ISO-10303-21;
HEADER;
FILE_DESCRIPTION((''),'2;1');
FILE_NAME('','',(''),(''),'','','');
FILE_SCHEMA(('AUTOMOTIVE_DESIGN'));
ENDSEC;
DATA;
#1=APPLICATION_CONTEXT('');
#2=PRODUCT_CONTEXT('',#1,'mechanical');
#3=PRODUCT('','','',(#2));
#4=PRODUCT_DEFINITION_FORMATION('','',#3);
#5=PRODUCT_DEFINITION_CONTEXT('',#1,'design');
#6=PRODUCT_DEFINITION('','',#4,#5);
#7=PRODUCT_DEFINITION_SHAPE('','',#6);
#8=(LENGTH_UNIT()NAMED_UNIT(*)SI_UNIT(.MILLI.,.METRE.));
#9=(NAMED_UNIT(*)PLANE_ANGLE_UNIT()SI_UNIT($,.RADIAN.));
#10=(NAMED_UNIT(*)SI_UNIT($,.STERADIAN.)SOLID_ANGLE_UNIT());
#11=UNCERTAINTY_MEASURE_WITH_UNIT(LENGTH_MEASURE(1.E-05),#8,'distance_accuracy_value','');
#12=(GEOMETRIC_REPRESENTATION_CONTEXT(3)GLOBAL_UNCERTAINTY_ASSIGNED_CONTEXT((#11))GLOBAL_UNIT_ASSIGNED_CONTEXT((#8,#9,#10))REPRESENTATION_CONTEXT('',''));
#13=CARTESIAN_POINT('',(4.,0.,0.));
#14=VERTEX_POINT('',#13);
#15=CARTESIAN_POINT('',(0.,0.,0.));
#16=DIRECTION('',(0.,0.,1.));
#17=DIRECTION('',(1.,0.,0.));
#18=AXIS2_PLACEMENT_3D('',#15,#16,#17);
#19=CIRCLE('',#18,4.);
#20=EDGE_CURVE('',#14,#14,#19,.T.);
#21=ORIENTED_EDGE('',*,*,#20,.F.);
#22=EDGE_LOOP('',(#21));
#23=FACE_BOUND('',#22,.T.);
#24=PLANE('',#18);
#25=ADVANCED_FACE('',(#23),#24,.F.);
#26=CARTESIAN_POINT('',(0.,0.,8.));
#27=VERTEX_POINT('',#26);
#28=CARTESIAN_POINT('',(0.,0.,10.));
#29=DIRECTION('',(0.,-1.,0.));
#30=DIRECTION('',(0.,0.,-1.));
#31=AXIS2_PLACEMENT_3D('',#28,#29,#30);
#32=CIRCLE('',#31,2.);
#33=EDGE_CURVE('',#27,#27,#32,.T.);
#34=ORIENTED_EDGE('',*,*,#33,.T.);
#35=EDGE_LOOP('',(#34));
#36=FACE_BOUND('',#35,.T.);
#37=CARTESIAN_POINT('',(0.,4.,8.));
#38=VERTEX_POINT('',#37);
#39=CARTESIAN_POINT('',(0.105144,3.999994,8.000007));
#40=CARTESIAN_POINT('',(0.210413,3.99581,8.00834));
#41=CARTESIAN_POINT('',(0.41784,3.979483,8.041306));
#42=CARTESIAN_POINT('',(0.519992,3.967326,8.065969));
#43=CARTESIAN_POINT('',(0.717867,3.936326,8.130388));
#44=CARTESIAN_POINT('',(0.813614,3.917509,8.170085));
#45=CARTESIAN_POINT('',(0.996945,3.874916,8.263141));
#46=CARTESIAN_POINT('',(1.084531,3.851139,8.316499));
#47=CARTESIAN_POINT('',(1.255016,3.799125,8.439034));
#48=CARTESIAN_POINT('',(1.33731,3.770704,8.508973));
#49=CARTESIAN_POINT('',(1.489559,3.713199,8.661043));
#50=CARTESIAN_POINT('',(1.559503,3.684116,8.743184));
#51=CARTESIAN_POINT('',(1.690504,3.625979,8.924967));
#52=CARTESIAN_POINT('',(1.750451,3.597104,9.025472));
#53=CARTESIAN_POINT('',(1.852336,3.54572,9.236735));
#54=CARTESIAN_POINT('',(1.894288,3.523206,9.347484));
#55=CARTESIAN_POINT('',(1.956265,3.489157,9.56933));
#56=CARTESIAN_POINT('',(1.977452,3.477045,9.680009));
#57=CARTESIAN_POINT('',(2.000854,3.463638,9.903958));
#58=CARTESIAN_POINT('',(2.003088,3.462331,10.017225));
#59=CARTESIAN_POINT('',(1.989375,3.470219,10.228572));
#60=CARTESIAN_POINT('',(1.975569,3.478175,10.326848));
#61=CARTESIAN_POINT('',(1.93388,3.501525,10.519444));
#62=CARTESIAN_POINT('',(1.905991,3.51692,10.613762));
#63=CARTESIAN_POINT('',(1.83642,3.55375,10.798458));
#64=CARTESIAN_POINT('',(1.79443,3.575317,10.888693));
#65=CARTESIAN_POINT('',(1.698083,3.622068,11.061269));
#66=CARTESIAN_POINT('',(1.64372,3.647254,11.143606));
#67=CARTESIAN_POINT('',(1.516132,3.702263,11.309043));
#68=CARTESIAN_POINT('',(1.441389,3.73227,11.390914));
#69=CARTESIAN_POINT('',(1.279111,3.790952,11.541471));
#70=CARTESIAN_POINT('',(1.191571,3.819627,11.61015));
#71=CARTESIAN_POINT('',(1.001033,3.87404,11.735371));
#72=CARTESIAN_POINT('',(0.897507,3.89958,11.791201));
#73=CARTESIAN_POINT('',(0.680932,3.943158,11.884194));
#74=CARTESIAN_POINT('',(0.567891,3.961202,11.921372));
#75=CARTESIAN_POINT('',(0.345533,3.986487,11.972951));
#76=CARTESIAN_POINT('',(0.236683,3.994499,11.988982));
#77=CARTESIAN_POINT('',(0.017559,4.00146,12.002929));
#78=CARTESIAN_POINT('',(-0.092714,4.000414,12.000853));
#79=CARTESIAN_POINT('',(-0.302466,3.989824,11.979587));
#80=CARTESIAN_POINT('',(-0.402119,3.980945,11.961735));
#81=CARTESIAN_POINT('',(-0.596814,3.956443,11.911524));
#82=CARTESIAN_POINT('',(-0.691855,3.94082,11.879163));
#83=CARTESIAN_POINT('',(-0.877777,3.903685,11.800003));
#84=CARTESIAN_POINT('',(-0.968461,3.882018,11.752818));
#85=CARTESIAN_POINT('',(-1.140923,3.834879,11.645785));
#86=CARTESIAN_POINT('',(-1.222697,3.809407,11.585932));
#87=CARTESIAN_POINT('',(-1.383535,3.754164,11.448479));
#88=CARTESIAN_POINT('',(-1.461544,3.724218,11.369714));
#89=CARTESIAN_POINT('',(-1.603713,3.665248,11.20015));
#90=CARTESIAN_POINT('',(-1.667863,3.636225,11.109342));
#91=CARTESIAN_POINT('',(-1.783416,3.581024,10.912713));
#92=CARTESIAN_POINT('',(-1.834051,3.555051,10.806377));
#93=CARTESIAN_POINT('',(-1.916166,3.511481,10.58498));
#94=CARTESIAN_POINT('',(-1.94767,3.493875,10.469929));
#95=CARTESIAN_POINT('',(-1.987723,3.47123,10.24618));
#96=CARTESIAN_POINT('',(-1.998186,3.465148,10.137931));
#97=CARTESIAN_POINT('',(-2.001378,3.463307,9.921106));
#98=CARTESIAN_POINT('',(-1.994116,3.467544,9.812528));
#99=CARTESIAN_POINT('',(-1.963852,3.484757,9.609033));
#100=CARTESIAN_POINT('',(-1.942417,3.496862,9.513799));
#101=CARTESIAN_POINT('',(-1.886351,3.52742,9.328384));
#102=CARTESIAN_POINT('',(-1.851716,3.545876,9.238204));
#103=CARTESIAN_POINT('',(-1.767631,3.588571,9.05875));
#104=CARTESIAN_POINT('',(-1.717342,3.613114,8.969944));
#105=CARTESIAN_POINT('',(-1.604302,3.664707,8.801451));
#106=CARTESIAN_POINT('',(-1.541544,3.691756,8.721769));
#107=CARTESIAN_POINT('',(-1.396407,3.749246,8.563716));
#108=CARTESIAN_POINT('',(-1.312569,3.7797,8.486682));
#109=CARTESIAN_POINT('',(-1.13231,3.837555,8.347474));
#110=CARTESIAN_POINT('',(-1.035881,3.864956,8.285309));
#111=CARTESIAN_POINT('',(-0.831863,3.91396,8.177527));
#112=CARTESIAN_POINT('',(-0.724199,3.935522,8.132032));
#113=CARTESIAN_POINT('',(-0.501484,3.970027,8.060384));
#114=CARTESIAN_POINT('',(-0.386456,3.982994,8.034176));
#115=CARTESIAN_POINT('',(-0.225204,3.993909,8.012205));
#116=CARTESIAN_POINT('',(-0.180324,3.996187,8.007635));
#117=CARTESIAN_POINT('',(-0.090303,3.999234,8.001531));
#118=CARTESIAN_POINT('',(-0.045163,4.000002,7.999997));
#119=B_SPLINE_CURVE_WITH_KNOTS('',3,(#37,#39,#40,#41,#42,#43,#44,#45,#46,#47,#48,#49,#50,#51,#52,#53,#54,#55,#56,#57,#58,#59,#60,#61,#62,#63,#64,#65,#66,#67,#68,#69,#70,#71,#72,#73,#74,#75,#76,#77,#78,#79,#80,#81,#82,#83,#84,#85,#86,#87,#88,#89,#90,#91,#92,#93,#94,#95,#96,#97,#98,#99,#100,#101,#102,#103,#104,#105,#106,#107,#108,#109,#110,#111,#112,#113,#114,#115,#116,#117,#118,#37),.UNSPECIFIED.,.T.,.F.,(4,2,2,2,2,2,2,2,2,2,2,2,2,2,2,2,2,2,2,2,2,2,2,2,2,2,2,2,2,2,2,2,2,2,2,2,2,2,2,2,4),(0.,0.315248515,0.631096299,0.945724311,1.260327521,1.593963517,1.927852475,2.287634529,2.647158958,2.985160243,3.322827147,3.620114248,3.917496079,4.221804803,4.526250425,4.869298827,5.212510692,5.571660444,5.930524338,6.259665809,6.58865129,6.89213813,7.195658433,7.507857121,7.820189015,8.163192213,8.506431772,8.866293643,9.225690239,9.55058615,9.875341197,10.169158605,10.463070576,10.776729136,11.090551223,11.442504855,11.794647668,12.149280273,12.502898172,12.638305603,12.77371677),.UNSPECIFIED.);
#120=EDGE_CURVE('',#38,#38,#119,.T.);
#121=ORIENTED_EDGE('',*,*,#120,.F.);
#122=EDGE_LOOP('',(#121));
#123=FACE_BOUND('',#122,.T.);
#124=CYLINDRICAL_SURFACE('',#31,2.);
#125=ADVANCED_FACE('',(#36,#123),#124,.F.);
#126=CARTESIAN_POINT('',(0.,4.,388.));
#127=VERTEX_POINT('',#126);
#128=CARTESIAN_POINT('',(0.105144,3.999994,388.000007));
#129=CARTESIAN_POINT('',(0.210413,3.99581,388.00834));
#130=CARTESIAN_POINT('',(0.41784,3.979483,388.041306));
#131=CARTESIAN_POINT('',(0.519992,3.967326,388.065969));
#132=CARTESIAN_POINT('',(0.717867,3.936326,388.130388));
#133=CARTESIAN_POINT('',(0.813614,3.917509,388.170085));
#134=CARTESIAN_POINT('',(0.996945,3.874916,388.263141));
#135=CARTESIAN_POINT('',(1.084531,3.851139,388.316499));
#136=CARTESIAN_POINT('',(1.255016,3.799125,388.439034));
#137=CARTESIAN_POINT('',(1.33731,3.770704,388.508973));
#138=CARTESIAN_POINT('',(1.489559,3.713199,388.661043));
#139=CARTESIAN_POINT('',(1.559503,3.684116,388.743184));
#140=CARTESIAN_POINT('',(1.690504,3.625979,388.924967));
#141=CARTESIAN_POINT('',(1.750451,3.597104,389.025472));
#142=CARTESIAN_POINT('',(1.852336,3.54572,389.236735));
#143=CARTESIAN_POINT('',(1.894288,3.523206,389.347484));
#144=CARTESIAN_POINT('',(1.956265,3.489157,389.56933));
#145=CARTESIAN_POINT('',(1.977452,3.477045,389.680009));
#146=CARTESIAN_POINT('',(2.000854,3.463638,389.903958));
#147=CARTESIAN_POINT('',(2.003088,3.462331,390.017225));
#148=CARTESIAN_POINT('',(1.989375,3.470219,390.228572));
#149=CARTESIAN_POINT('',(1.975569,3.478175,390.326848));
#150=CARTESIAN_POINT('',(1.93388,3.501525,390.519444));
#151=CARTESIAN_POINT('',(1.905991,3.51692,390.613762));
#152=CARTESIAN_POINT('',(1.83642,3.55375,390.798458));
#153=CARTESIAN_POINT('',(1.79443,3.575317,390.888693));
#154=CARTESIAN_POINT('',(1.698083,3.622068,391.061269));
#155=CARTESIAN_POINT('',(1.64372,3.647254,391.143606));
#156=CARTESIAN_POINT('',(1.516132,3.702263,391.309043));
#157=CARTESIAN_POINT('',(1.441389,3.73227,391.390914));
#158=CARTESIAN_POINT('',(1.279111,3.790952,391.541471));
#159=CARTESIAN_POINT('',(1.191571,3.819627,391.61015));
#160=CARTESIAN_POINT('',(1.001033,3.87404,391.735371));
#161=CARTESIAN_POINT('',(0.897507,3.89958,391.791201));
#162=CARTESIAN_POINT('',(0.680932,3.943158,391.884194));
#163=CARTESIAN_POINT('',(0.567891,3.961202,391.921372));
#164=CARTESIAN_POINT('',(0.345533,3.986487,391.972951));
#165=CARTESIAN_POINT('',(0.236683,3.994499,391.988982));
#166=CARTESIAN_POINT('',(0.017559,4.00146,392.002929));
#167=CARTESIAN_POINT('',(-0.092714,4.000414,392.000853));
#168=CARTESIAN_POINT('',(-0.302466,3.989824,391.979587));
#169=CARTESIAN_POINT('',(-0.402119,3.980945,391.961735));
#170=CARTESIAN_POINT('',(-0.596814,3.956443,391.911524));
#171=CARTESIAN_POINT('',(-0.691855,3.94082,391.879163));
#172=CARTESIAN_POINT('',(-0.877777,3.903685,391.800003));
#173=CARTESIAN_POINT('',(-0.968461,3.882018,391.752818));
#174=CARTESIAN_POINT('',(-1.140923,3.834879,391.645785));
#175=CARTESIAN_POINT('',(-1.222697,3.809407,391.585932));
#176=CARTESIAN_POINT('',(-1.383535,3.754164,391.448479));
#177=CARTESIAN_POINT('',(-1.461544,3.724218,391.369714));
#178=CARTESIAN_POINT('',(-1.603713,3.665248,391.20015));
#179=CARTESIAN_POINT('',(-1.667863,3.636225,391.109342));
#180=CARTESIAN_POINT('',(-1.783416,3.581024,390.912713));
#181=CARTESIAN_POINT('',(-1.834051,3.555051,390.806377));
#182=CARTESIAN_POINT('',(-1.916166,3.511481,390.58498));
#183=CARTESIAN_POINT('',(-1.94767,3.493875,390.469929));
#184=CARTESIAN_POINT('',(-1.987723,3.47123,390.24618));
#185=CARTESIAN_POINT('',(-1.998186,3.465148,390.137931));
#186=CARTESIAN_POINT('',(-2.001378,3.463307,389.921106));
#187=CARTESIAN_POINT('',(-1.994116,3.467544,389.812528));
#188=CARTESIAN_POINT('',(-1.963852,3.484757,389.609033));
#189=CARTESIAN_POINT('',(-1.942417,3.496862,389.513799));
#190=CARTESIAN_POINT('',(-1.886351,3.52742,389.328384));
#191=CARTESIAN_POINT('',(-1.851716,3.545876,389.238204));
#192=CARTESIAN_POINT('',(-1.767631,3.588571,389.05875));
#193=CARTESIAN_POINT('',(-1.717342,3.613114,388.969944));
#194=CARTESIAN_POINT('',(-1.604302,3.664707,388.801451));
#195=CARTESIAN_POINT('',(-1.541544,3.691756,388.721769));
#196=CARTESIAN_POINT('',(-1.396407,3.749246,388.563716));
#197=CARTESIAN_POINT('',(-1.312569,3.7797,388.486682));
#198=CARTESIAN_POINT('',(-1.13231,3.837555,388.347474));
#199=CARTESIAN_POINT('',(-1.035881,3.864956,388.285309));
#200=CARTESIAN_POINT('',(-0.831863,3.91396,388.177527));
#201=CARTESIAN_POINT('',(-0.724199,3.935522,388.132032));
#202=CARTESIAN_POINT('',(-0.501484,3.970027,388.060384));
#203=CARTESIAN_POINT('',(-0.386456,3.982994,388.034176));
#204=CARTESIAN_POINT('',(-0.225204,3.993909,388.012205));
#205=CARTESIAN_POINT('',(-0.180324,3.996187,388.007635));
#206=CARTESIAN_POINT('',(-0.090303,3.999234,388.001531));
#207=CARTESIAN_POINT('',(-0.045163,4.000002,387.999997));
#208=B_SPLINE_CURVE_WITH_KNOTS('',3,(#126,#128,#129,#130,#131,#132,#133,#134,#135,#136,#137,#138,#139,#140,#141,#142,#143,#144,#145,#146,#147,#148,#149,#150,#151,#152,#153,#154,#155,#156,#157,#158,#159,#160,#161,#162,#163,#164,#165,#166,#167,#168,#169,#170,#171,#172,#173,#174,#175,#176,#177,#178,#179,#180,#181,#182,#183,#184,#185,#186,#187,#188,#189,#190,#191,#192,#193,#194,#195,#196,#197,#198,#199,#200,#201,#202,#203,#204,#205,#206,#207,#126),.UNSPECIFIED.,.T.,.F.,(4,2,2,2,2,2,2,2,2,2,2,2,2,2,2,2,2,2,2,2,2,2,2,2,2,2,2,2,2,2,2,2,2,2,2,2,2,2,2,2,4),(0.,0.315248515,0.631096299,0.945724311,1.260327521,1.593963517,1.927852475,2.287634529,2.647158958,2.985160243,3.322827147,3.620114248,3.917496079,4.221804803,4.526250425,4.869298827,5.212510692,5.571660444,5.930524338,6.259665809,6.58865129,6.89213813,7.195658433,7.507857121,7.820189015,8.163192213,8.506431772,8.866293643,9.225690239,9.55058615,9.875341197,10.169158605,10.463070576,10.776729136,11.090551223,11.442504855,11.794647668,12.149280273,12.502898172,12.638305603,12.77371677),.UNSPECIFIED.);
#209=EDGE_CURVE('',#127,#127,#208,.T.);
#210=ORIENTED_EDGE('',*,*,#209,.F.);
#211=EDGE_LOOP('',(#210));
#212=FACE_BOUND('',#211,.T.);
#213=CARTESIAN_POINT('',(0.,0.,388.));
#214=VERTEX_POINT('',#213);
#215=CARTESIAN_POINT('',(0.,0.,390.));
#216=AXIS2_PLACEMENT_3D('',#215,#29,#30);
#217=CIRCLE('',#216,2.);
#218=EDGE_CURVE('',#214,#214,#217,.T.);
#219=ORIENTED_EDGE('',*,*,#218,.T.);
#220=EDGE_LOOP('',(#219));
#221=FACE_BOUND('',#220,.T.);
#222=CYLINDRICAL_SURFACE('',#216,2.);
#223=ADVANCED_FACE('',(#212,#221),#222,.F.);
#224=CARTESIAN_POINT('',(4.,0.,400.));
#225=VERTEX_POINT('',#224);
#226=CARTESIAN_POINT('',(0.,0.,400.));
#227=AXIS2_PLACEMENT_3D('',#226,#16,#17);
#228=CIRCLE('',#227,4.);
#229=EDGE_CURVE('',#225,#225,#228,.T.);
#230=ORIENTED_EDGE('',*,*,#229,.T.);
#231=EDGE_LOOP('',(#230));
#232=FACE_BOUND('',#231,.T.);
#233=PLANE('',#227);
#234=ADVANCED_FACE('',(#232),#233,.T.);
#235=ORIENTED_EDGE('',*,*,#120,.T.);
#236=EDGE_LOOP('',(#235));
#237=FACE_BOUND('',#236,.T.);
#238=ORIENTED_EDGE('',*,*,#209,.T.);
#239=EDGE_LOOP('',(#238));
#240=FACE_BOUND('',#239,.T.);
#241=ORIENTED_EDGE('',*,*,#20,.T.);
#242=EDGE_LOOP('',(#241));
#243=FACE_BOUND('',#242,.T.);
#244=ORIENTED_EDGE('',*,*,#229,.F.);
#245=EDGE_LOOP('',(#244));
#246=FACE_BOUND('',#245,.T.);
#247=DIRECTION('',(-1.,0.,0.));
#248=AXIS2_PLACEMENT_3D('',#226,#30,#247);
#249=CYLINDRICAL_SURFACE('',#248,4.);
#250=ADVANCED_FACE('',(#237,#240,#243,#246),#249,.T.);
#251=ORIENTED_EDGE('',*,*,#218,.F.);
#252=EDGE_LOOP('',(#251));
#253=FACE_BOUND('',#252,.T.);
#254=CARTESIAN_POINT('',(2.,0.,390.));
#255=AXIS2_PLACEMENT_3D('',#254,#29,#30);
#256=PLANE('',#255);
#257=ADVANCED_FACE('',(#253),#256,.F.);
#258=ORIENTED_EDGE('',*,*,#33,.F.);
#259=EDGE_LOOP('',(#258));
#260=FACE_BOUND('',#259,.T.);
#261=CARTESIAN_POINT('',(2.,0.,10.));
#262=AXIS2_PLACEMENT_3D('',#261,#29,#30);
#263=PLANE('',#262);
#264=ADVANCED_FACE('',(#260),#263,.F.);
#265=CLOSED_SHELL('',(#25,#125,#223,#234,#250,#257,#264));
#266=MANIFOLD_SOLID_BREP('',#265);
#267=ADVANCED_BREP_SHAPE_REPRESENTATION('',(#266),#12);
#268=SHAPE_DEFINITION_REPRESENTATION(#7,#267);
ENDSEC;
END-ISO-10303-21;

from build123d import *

# Parameters (mm, degrees)
SKETCH1_R                         = 4
EXTRUDE1_DEPTH                    = 400
SKETCH3_W                         = 2
SKETCH3_H                         = 4
F_4_0_4_DIAMETER_HOLE1_AT_2_COUNT = 2
F_4_0_4_DIAMETER_HOLE1_AT_2_PITCH = 380


with BuildPart() as part:
    # Sketch1 → Extrude1 (new body)
    with BuildSketch(Plane.XY):
        Circle(SKETCH1_R)
    extrude(amount=EXTRUDE1_DEPTH)

    # Sketch3 → Ø4.0 (4) Diameter Hole1 (revolve, cut)
    with BuildSketch(Plane(origin=(0, 0, 10), x_dir=(0, 0, -1), z_dir=(1, 0, 0))):
        with Locations((1, 2)):
            Rectangle(SKETCH3_W, SKETCH3_H)
    f_4_0_4_diameter_hole1 = revolve(axis=Axis((0, -6.35, 10), (0, 1, 0)), mode=Mode.SUBTRACT)

    # Ø4.0 (4) Diameter Hole1 at 2: Ø4.0 (4) Diameter Hole1 ×2
    with Locations(*[(0, 0, i * F_4_0_4_DIAMETER_HOLE1_AT_2_PITCH) for i in range(1, F_4_0_4_DIAMETER_HOLE1_AT_2_COUNT)]):
        add(f_4_0_4_diameter_hole1, mode=Mode.SUBTRACT)


solid = part.part
